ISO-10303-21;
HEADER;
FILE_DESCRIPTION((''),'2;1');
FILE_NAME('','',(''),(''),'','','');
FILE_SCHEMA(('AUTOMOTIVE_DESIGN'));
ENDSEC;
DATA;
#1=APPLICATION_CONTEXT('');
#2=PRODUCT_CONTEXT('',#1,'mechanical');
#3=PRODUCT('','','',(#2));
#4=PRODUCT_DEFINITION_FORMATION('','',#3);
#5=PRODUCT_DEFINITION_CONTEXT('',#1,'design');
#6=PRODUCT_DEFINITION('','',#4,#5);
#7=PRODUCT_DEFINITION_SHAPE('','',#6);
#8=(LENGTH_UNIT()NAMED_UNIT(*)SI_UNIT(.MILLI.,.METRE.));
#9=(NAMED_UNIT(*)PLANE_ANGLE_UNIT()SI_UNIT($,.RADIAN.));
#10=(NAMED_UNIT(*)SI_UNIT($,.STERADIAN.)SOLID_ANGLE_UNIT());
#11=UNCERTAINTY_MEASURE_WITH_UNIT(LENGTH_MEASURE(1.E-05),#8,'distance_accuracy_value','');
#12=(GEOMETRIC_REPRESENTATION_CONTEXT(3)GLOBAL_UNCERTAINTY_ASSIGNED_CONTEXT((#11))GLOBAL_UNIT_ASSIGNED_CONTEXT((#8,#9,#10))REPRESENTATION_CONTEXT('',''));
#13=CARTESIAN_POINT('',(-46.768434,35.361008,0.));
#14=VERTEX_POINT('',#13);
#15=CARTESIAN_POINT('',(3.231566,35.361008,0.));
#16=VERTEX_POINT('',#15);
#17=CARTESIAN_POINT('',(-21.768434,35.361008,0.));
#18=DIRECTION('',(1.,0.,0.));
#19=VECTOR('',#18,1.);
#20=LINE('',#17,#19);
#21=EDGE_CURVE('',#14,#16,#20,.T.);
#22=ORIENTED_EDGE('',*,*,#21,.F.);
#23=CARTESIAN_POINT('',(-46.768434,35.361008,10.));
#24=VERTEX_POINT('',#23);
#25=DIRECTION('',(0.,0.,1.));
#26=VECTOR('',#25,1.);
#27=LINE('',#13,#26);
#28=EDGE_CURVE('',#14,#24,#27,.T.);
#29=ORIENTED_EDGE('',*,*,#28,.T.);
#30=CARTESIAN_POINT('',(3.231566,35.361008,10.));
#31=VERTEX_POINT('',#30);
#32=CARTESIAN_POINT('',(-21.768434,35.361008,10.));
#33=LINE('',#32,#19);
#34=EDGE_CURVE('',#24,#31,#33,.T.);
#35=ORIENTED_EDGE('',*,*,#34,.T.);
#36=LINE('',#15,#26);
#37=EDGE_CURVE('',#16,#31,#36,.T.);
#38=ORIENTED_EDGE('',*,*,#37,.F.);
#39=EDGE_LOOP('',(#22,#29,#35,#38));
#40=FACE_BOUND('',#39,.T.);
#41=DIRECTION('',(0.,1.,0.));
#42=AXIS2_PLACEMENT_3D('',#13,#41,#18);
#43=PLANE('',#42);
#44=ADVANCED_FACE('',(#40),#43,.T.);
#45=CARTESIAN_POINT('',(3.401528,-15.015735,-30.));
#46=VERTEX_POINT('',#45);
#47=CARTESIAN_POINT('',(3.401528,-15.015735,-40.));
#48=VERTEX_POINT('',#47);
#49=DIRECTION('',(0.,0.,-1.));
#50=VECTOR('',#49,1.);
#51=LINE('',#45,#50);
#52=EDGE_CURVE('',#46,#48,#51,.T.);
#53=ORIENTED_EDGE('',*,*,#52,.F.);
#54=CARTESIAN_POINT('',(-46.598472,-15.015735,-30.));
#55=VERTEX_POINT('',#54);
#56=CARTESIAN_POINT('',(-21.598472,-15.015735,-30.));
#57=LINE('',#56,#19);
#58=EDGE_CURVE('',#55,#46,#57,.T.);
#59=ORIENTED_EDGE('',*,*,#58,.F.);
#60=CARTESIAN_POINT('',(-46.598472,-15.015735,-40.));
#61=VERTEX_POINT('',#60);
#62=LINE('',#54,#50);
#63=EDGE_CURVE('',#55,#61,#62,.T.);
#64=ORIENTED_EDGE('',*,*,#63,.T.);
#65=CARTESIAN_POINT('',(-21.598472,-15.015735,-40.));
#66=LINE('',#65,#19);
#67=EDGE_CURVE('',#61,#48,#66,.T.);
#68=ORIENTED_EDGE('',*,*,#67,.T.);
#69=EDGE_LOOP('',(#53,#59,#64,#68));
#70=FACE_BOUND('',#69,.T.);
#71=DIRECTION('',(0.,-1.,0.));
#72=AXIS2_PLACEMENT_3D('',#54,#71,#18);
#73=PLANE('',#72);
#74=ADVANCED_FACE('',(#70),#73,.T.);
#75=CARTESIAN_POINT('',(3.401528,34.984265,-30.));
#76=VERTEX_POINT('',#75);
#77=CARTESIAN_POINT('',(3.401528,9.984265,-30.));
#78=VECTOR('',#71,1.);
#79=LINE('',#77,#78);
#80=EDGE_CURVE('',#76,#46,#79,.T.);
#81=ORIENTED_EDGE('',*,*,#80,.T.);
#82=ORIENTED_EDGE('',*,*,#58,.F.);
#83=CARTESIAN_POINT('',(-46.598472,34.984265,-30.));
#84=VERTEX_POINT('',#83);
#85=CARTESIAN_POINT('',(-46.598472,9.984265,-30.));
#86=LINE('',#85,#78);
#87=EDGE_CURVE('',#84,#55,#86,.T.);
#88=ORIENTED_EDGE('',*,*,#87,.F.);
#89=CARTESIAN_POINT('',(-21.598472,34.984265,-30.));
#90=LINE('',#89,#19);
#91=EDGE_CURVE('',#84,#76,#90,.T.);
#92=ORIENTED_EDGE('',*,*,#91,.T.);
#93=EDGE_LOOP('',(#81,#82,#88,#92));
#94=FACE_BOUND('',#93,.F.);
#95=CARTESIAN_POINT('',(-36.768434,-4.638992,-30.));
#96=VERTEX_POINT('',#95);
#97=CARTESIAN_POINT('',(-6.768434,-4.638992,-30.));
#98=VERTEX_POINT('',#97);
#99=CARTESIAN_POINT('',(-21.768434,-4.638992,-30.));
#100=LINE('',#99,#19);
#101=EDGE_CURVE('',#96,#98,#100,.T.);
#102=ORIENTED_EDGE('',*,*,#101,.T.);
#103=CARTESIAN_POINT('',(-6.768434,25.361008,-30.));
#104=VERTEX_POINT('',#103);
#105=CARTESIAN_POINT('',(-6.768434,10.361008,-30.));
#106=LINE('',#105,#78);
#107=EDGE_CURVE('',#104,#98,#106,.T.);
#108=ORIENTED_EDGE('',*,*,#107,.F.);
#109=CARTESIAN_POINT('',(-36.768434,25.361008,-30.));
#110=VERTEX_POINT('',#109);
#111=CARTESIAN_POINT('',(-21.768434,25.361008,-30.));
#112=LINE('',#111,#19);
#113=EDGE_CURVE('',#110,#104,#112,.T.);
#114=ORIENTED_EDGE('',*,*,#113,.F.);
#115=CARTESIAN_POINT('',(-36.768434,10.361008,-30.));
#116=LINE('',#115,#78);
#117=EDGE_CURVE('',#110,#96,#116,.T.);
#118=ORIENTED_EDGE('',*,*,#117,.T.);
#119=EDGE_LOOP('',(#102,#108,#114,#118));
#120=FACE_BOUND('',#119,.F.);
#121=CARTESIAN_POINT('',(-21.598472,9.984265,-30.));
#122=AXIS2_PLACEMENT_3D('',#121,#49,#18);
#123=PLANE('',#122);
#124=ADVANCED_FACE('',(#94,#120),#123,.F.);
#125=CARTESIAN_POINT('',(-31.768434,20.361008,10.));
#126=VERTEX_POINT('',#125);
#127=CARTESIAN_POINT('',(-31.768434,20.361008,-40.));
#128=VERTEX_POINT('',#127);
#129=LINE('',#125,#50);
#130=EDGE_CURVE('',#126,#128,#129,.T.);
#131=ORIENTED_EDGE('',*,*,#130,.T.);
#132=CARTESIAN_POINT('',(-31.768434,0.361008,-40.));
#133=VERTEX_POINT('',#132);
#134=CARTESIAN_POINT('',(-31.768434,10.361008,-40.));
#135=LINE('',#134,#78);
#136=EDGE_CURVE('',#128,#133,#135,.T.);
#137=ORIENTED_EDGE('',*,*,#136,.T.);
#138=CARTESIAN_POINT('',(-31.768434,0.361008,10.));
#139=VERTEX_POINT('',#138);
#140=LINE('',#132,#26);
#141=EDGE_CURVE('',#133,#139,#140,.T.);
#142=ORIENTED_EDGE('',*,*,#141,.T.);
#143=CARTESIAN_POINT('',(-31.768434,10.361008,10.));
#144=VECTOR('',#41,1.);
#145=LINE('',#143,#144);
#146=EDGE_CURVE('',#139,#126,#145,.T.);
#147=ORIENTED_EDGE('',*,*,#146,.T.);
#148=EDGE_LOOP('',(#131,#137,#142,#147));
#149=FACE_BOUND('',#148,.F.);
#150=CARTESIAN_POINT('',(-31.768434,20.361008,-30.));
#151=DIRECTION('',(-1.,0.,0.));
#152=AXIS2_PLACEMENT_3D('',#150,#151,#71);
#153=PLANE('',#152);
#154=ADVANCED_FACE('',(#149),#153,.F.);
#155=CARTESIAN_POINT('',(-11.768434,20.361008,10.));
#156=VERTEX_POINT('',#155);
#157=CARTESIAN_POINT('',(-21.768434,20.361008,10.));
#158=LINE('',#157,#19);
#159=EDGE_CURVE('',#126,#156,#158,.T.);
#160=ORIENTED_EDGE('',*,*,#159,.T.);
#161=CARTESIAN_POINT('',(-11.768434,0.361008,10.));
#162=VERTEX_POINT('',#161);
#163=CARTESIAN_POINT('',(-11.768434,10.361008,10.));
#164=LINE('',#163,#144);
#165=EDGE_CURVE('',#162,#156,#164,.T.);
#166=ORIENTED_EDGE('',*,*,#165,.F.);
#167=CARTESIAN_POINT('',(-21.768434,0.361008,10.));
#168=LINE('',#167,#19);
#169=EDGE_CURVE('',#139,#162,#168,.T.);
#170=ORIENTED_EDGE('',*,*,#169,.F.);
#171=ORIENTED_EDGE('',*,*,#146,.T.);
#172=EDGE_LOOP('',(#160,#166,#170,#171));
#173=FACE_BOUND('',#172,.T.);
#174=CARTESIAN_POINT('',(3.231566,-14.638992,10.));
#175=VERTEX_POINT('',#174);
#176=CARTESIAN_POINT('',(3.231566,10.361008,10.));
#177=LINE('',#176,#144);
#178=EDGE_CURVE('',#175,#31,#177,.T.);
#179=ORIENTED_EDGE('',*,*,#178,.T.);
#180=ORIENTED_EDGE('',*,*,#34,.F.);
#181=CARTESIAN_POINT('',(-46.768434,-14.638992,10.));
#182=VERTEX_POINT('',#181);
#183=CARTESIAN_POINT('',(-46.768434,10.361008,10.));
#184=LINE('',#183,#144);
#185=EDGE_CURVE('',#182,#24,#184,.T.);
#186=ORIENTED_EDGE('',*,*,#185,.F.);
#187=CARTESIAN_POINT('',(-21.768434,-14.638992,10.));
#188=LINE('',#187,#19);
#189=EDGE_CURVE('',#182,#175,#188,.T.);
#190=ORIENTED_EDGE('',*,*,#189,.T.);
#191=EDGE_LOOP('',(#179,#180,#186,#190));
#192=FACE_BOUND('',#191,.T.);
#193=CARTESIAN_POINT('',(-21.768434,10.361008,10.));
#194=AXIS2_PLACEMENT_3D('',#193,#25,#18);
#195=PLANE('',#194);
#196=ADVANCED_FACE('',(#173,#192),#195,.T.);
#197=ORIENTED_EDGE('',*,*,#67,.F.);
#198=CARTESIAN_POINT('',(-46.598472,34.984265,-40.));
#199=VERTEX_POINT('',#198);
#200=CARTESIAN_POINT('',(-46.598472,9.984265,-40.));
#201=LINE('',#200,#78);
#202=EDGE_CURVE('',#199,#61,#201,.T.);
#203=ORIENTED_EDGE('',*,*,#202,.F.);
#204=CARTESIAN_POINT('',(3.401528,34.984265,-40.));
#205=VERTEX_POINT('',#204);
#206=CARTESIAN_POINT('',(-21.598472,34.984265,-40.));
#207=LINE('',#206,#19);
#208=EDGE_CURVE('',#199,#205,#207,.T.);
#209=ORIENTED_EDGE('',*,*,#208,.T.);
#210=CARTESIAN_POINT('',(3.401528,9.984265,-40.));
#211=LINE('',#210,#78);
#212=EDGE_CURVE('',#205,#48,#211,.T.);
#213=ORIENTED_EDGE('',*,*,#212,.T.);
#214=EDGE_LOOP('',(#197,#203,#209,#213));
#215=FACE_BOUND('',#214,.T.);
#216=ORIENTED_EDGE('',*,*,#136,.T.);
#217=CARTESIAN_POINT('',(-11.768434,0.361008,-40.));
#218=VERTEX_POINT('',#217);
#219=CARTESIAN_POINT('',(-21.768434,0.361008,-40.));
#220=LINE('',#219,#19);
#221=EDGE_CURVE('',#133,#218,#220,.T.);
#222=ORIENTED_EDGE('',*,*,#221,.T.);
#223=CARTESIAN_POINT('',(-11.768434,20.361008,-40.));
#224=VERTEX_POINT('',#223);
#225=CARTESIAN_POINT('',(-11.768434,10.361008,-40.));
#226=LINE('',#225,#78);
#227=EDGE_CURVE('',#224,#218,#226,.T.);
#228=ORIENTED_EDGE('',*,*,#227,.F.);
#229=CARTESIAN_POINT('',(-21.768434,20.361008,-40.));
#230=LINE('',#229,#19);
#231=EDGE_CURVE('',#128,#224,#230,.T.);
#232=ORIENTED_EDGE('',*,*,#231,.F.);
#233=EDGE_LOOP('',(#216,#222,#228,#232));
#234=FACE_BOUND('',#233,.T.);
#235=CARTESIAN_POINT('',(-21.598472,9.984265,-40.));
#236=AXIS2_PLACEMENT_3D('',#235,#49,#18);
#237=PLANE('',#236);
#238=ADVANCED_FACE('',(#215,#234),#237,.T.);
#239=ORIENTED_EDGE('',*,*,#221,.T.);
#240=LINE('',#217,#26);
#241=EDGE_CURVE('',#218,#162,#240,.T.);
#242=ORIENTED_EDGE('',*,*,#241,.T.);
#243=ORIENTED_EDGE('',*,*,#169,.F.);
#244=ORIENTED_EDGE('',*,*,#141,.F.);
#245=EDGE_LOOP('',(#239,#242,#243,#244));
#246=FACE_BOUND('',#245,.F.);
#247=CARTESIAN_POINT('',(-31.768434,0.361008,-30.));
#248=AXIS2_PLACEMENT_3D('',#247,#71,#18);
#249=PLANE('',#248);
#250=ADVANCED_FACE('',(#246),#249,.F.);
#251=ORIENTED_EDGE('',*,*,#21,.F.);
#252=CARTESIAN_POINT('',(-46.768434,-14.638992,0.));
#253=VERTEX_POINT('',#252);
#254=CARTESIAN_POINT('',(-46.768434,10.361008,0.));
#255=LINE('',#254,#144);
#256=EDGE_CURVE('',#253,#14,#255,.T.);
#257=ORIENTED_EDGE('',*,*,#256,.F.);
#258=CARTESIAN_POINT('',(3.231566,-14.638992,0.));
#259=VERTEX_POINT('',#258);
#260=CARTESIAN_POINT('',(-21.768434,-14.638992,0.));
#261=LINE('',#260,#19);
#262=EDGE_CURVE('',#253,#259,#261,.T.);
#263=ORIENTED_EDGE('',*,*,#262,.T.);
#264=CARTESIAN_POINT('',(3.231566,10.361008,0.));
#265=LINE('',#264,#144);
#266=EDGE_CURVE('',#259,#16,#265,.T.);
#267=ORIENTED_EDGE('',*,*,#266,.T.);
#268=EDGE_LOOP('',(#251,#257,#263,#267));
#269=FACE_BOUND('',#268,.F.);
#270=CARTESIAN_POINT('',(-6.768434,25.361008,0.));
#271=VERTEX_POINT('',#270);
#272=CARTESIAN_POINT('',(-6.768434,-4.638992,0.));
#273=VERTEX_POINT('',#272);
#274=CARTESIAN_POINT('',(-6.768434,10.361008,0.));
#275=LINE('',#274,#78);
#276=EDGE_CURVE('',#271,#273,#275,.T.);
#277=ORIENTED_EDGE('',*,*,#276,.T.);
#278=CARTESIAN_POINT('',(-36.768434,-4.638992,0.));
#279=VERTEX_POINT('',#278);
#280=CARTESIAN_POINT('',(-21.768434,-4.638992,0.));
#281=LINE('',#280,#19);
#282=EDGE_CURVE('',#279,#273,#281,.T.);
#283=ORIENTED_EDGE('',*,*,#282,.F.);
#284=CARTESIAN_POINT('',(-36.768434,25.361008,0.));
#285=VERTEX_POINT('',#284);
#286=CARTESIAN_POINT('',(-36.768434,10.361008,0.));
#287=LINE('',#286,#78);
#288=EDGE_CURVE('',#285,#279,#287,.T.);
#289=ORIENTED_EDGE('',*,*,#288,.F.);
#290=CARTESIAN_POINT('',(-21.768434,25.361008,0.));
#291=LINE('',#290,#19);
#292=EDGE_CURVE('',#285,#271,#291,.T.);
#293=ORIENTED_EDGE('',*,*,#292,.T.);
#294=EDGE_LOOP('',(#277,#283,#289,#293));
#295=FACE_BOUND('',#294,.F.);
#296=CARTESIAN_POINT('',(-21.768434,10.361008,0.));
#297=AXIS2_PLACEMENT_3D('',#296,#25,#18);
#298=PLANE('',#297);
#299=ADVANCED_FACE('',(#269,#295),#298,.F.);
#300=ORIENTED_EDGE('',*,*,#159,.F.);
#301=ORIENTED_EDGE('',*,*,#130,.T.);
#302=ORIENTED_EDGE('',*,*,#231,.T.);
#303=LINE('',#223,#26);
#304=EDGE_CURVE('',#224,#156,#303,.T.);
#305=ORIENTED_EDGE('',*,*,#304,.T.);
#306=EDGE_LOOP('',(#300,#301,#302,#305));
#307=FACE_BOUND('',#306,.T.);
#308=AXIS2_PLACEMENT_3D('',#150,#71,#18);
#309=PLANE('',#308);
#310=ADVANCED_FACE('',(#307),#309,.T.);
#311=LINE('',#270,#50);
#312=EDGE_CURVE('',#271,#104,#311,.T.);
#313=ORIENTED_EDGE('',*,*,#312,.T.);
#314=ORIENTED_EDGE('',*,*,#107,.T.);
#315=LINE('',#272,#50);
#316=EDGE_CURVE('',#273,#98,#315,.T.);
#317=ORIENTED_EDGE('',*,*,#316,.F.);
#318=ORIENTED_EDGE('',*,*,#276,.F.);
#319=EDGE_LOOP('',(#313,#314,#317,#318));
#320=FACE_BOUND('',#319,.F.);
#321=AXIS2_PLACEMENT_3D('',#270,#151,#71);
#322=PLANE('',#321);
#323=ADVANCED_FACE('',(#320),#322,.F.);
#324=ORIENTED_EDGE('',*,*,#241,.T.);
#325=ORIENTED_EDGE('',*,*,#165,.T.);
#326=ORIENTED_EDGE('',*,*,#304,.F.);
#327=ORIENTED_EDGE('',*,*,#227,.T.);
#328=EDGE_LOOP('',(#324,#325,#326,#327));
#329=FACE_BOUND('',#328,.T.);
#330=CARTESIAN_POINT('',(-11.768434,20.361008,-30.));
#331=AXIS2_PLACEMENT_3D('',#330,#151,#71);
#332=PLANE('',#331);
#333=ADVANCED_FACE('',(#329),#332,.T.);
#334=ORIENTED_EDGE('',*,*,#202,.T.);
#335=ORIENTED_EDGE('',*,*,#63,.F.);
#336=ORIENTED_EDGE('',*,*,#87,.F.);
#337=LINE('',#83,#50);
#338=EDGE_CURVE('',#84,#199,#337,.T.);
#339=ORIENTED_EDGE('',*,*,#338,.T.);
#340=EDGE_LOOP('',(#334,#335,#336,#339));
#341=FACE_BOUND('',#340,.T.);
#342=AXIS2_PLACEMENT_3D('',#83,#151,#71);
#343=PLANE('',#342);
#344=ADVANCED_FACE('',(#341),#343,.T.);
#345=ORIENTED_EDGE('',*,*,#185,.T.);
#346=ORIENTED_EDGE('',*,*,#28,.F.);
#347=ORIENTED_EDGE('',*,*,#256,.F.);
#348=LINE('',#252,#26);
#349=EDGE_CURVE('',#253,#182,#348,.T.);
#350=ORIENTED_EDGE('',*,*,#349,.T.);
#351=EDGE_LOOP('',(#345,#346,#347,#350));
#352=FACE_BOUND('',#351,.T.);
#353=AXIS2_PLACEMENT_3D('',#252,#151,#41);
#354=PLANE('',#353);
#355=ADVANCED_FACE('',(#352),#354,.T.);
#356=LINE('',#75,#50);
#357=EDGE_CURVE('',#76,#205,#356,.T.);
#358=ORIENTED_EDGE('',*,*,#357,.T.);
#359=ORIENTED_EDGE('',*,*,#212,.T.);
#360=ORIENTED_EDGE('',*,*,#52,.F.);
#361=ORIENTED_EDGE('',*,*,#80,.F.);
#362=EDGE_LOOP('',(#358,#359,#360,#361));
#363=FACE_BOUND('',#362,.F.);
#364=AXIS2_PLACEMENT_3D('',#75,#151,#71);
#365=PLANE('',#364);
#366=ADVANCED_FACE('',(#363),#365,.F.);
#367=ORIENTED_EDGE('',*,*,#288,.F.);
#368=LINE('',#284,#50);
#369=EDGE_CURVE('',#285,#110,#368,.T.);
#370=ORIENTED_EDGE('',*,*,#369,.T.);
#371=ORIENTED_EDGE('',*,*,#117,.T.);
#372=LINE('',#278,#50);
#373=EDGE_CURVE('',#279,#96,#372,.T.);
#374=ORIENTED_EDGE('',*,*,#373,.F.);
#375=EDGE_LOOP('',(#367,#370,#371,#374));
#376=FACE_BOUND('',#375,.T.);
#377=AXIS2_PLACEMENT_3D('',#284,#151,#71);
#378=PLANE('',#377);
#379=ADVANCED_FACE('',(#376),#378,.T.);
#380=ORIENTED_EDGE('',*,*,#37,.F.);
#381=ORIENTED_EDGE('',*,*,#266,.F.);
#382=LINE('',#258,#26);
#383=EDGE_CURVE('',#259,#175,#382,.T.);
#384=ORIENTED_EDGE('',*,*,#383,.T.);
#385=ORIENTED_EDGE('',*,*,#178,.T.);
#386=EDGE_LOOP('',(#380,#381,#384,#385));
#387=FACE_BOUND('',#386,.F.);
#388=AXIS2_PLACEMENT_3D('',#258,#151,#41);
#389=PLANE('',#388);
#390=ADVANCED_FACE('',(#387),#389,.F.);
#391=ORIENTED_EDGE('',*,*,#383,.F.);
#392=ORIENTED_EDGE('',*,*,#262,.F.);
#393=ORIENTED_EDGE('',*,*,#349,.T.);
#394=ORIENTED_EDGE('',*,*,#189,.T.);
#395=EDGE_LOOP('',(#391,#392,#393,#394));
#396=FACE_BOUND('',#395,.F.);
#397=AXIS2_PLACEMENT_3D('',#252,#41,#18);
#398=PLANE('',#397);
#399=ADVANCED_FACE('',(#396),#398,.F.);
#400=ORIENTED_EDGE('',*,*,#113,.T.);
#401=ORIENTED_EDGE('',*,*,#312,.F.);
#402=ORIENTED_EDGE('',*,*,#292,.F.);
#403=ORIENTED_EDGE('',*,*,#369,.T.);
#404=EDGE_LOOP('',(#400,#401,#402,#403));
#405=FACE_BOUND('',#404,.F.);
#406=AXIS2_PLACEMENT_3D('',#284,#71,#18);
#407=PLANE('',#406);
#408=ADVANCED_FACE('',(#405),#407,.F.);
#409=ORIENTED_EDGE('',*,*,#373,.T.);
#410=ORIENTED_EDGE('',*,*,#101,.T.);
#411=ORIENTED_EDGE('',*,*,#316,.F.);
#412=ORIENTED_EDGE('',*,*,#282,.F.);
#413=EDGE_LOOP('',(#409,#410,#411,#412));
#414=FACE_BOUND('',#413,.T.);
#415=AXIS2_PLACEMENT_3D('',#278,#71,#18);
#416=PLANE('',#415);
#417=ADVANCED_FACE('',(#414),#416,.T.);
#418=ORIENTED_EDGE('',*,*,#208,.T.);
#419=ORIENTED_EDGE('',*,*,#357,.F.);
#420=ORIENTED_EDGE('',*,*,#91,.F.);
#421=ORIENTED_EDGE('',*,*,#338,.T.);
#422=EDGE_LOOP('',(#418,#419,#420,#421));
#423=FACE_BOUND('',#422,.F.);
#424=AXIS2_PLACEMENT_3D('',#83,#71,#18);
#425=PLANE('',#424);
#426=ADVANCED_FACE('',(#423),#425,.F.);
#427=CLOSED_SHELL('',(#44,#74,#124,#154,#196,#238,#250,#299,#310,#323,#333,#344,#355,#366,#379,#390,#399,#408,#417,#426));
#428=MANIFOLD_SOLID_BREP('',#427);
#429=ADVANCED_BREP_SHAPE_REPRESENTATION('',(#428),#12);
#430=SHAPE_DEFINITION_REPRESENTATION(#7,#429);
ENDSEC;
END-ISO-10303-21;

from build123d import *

# Parameters (mm, degrees)
F0_W     = 50
F0_H     = 50
F0_W_2   = 20
F0_H_2   = 20
F1_DEPTH = 10
F2_W     = 30
F2_H     = 30
F2_W_2   = 20
F2_H_2   = 20
F3_DEPTH = 30
F4_W     = 50
F4_H     = 50
F4_W_2   = 20
F4_H_2   = 20
F5_DEPTH = 10


with BuildPart() as f1:
    # F0 (on Top) → F1 (new body)
    with BuildSketch(Plane.XY):
        with Locations((-21.768434, 10.361008)):
            Rectangle(F0_W, F0_H)
        with Locations((-21.768434, 10.361008)):
            Rectangle(F0_W_2, F0_H_2, mode=Mode.SUBTRACT)
    extrude(amount=F1_DEPTH)

    # F2 (on face) → F3 (join)
    with BuildSketch(Plane(origin=(0, 0, 0), x_dir=(1, 0, 0), z_dir=(0, 0, -1))):
        with Locations((-21.768434, -10.361008)):
            Rectangle(F2_W, F2_H)
        with Locations((-21.768434, -10.361008)):
            Rectangle(F2_W_2, F2_H_2, mode=Mode.SUBTRACT)
    extrude(amount=F3_DEPTH)

    # F4 (on face) → F5 (join)
    with BuildSketch(Plane(origin=(0, 0, -30), x_dir=(1, 0, 0), z_dir=(0, 0, -1))):
        with Locations((-21.598472, -9.984265)):
            Rectangle(F4_W, F4_H)
        with Locations((-21.768434, -10.361008)):
            Rectangle(F4_W_2, F4_H_2, mode=Mode.SUBTRACT)
    extrude(amount=F5_DEPTH)


solid = f1.part
